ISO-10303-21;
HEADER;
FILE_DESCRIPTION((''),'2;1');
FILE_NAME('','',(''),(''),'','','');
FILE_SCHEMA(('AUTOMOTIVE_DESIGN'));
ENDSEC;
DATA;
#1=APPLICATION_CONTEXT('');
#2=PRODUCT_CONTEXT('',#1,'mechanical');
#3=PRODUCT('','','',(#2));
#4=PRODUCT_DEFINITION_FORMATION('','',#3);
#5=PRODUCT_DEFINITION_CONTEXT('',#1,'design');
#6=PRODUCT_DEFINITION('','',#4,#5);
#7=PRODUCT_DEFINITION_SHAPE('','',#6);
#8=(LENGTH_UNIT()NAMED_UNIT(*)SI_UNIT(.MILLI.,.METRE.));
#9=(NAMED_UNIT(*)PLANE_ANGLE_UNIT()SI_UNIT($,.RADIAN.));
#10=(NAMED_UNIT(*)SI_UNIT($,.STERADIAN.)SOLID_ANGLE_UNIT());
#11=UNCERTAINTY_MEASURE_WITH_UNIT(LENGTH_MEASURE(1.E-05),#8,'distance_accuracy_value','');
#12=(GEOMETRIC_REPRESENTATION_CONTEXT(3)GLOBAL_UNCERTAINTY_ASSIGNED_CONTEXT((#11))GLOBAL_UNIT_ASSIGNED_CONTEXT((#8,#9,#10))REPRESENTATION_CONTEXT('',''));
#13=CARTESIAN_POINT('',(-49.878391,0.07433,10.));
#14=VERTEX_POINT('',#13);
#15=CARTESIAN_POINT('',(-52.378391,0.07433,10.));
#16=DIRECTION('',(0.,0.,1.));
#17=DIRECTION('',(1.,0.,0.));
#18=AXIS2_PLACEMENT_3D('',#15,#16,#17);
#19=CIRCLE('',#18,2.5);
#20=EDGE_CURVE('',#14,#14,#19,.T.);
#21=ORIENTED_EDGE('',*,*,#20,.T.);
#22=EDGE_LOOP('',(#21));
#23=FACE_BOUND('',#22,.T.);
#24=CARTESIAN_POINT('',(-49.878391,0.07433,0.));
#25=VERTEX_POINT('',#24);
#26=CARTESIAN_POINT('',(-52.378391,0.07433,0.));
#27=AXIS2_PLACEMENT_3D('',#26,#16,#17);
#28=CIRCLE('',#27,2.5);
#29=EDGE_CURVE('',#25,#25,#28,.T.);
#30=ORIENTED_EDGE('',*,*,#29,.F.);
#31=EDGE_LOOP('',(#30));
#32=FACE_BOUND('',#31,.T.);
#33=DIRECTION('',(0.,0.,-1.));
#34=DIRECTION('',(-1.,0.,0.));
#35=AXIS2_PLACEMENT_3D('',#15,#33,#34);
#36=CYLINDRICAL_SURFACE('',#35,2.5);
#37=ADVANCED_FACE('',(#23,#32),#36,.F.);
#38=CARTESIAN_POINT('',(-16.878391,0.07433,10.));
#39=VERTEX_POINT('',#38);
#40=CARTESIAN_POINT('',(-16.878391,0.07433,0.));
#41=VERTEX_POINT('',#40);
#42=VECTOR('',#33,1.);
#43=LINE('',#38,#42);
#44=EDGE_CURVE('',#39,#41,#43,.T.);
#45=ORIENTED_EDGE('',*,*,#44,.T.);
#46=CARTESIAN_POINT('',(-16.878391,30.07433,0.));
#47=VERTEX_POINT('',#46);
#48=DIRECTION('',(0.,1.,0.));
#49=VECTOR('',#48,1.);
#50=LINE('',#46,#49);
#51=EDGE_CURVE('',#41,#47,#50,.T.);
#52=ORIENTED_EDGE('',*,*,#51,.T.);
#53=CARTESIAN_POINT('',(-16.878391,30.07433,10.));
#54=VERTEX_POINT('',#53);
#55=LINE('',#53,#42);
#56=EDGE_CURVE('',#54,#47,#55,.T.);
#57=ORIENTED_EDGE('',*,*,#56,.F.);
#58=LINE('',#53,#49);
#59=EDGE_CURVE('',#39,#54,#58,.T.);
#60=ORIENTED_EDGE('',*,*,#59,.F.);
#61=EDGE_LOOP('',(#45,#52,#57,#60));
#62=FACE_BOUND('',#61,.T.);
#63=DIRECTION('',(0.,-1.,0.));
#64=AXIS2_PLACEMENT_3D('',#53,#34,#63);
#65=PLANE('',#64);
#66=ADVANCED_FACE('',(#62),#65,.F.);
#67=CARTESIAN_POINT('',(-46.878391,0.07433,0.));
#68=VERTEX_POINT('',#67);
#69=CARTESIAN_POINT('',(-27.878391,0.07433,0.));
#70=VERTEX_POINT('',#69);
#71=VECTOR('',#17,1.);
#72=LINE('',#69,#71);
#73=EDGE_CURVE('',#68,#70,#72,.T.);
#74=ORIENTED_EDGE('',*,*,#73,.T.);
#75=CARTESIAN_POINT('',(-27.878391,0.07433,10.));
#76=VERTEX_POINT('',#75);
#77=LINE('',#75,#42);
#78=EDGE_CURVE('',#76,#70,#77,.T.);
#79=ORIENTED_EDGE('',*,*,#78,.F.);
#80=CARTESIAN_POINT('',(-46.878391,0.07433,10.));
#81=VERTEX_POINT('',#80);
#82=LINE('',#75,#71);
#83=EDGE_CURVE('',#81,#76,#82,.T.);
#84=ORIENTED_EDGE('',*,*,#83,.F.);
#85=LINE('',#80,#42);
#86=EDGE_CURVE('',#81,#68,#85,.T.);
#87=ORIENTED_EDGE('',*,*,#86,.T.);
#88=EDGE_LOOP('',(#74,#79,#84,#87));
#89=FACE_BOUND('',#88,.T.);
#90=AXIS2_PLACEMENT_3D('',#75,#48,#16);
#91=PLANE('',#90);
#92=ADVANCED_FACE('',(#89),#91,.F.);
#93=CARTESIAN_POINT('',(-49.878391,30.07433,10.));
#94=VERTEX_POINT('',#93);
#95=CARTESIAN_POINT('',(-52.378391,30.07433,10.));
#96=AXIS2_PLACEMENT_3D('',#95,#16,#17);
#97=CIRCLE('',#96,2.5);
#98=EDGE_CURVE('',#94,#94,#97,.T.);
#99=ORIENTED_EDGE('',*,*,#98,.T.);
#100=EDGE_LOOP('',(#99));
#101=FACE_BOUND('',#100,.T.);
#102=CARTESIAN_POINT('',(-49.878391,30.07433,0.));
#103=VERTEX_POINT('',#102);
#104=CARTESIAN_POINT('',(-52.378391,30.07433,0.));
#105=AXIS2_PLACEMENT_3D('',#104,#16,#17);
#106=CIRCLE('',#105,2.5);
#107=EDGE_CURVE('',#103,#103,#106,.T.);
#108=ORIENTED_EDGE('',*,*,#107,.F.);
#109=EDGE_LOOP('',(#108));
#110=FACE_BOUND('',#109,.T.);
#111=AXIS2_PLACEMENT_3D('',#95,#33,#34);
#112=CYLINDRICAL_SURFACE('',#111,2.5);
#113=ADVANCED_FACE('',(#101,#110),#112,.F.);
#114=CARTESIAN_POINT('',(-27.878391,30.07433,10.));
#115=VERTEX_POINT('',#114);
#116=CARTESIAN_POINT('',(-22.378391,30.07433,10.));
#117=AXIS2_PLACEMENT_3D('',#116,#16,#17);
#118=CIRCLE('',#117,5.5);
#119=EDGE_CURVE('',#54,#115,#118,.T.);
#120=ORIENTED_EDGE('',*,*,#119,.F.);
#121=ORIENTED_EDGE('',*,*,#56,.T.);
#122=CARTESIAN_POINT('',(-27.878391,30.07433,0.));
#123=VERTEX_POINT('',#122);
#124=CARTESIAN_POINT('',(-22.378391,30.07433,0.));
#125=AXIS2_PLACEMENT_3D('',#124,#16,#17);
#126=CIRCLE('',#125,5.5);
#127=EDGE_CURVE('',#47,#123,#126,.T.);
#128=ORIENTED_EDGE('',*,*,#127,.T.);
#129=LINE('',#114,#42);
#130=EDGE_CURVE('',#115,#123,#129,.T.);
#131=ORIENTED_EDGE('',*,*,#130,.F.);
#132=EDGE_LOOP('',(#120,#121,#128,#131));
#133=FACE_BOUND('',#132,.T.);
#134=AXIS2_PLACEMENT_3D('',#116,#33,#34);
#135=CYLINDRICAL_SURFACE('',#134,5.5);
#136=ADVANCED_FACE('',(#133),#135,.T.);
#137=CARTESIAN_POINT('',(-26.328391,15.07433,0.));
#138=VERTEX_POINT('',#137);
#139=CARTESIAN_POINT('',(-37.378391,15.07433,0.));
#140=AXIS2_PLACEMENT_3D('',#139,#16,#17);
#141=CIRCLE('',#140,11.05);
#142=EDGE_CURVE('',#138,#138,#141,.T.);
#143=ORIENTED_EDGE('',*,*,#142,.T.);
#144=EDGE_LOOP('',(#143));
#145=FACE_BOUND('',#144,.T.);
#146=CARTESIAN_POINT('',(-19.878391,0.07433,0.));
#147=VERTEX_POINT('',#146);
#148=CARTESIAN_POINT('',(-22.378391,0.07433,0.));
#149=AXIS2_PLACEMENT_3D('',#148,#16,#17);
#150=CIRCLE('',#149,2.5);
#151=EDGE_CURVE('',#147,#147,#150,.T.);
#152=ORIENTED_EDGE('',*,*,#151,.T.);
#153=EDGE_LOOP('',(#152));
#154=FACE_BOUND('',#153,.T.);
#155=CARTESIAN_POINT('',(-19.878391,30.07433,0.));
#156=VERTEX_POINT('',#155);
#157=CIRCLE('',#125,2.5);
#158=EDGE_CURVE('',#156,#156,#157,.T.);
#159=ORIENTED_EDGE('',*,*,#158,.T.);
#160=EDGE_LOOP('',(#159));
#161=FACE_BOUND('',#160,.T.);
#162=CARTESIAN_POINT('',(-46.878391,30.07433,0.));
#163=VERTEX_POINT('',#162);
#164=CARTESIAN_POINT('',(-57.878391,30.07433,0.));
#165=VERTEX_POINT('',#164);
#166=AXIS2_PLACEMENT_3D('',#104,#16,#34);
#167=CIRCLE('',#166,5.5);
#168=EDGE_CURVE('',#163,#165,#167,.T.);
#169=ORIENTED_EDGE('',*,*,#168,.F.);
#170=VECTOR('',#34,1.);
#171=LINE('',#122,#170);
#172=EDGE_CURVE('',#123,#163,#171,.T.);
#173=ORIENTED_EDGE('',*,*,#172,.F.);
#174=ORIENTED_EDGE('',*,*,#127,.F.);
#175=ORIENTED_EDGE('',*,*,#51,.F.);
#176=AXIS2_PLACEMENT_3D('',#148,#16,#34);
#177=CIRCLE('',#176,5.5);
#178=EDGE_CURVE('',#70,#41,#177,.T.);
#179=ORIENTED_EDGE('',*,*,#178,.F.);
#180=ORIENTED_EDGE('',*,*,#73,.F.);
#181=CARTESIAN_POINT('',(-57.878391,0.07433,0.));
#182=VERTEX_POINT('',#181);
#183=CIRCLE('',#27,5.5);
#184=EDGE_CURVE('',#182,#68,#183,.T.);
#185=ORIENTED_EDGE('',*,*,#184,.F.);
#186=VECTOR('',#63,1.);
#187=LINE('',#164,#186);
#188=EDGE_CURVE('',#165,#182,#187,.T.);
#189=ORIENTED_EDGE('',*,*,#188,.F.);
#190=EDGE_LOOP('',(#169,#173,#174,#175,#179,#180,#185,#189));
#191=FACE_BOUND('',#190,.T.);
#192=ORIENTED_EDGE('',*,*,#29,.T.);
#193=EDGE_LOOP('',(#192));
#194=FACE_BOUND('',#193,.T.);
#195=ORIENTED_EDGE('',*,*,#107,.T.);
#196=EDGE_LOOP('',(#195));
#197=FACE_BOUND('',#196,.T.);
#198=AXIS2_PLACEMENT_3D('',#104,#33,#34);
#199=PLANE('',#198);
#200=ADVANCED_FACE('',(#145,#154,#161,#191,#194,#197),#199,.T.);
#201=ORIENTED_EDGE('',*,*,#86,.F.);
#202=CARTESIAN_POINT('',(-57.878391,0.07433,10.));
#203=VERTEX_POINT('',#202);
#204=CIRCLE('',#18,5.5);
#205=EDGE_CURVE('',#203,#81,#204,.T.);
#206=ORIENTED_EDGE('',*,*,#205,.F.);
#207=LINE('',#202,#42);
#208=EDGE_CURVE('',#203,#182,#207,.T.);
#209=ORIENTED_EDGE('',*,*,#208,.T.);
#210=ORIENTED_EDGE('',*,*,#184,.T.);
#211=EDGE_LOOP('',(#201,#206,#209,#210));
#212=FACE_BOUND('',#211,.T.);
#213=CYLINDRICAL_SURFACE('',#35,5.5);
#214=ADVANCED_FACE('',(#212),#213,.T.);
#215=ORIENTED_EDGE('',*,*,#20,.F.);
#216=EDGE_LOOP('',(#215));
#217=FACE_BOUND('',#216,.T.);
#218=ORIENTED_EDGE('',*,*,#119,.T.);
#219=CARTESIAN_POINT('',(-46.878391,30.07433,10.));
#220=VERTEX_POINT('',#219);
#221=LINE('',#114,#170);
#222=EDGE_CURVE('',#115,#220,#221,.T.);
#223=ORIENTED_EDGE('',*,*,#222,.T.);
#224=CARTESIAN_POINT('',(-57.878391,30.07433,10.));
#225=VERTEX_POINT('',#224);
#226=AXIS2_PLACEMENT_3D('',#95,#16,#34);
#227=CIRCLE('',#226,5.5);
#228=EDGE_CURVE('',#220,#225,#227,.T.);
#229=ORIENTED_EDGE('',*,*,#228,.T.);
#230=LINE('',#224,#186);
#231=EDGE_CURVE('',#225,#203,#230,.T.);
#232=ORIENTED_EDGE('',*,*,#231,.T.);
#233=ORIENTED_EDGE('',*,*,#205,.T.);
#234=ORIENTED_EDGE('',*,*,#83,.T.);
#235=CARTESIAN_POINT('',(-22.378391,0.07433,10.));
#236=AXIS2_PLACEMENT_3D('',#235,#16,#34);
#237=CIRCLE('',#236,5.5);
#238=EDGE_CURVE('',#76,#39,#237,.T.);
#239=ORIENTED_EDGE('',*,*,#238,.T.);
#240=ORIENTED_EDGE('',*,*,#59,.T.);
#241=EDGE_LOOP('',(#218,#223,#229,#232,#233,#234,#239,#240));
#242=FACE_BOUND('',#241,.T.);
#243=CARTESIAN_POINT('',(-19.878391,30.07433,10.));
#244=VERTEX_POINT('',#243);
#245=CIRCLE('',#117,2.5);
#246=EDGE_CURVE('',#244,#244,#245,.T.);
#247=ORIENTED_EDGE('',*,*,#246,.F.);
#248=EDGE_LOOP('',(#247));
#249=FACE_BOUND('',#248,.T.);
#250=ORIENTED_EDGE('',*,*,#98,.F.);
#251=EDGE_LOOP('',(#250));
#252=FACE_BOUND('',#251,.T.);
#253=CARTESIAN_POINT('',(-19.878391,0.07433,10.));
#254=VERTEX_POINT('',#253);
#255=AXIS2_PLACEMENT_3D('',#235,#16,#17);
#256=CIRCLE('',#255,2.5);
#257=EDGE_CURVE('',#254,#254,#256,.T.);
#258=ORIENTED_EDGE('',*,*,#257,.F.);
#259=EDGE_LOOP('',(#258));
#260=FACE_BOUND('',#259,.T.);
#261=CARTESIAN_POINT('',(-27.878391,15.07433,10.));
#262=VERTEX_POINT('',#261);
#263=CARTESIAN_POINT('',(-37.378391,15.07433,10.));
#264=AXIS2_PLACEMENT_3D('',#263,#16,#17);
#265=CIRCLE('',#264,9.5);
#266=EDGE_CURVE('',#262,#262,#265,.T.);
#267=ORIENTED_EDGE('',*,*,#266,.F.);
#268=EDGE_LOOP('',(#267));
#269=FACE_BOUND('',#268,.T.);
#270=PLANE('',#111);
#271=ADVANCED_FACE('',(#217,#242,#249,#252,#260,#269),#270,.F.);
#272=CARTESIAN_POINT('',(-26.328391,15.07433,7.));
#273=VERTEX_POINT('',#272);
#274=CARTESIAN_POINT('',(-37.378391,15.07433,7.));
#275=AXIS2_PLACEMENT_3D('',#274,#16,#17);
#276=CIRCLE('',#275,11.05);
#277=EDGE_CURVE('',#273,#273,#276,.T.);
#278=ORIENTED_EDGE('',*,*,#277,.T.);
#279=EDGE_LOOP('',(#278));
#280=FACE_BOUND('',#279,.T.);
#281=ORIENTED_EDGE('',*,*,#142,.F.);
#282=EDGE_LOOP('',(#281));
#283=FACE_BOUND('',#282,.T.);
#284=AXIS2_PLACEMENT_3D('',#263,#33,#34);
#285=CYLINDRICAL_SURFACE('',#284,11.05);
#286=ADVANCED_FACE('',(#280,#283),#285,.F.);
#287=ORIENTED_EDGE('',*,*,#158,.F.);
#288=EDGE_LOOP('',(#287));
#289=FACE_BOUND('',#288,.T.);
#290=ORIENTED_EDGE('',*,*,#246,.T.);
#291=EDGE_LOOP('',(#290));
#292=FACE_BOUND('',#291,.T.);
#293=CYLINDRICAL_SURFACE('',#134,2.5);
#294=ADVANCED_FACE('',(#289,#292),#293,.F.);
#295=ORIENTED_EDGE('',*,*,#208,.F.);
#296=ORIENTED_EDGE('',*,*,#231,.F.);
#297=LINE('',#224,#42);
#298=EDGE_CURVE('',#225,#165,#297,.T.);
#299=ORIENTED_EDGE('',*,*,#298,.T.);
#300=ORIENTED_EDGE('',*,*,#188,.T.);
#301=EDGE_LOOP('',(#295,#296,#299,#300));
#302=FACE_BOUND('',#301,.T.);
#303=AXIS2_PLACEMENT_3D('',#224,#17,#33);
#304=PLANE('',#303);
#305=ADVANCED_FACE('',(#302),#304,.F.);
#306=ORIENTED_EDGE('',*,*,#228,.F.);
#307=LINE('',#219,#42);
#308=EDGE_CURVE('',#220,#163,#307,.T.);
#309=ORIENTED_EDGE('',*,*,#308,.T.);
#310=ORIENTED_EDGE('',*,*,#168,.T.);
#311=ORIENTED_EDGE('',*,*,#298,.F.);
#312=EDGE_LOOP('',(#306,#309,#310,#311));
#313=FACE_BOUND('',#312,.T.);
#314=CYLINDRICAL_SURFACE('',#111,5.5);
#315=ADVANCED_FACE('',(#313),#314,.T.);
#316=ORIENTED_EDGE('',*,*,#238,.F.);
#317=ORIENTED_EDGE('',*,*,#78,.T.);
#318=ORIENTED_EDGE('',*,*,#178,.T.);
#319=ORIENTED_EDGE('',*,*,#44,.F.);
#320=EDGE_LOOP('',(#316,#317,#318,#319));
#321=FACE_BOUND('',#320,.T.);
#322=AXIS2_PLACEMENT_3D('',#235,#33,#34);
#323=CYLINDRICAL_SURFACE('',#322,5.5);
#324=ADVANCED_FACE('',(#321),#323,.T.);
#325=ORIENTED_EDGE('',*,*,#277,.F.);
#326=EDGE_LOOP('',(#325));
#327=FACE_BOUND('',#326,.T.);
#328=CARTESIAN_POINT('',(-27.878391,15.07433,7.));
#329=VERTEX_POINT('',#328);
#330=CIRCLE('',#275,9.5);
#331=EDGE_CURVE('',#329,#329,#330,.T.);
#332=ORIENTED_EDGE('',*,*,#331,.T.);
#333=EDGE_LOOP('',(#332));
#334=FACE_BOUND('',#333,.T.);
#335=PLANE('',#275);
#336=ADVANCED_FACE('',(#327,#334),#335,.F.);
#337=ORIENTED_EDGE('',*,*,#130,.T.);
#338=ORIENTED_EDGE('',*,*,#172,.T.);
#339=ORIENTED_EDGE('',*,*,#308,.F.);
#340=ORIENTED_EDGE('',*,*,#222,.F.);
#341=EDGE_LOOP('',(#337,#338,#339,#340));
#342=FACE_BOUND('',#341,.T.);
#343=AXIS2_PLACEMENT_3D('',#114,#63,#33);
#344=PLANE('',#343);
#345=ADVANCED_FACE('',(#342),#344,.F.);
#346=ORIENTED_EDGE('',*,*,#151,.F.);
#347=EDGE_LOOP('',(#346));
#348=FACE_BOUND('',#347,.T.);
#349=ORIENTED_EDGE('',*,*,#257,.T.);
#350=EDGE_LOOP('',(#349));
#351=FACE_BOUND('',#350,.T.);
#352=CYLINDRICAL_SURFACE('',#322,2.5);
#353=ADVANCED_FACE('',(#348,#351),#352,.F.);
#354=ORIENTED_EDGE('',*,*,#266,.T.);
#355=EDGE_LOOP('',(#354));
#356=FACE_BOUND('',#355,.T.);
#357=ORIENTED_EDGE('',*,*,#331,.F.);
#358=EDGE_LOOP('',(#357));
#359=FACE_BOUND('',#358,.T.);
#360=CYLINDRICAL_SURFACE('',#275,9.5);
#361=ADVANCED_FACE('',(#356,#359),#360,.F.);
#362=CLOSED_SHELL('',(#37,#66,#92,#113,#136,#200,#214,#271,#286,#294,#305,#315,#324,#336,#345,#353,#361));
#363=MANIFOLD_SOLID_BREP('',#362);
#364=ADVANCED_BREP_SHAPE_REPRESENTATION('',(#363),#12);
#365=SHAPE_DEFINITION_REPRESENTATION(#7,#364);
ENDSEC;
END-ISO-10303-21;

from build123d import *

# Parameters (mm, degrees)
CROQUIS1_R              = 11.05
CROQUIS1_R_2            = 2.5
SALIENTE_EXTRUIR1_DEPTH = 10
CROQUIS2_R              = 13
CROQUIS2_R_2            = 9.5
SALIENTE_EXTRUIR2_DEPTH = 3


with BuildPart() as part:
    # Croquis1 → Saliente-Extruir1 (new body)
    with BuildSketch(Plane.XY):
        with BuildLine():
            Line((-57.878391193, 30.074329664), (-57.878391193, 0.074329664))
            ThreePointArc((-57.878391193, 0.074329664), (-52.378391193, -5.425670336), (-46.878391193, 0.074329664))
            Line((-46.878391193, 0.074329664), (-27.878391193, 0.074329664))
            ThreePointArc((-27.878391193, 0.074329664), (-22.378391193, -5.425670336), (-16.878391193, 0.074329664))
            Line((-16.878391193, 0.074329664), (-16.878391193, 30.074329664))
            ThreePointArc((-16.878391193, 30.074329664), (-22.378391193, 35.574329664), (-27.878391193, 30.074329664))
            Line((-27.878391193, 30.074329664), (-46.878391193, 30.074329664))
            ThreePointArc((-46.878391193, 30.074329664), (-52.378391193, 35.574329664), (-57.878391193, 30.074329664))
        make_face()
        with Locations((-37.378391193, 15.074329664)):
            Circle(CROQUIS1_R, mode=Mode.SUBTRACT)
        with Locations((-22.378391193, 0.074329664)):
            Circle(CROQUIS1_R_2, mode=Mode.SUBTRACT)
        with Locations((-52.378391193, 0.074329664)):
            Circle(CROQUIS1_R_2, mode=Mode.SUBTRACT)
        with Locations((-52.378391193, 30.074329664)):
            Circle(CROQUIS1_R_2, mode=Mode.SUBTRACT)
        with Locations((-22.378391193, 30.074329664)):
            Circle(CROQUIS1_R_2, mode=Mode.SUBTRACT)
    extrude(amount=SALIENTE_EXTRUIR1_DEPTH)

    # Croquis2 → Saliente-Extruir2 (add)
    with BuildSketch(Plane.XY.offset(10)):
        with Locations((-37.378391193, 15.074329664)):
            Circle(CROQUIS2_R)
        with Locations((-37.378391193, 15.074329664)):
            Circle(CROQUIS2_R_2, mode=Mode.SUBTRACT)
    extrude(amount=-SALIENTE_EXTRUIR2_DEPTH)


solid = part.part
